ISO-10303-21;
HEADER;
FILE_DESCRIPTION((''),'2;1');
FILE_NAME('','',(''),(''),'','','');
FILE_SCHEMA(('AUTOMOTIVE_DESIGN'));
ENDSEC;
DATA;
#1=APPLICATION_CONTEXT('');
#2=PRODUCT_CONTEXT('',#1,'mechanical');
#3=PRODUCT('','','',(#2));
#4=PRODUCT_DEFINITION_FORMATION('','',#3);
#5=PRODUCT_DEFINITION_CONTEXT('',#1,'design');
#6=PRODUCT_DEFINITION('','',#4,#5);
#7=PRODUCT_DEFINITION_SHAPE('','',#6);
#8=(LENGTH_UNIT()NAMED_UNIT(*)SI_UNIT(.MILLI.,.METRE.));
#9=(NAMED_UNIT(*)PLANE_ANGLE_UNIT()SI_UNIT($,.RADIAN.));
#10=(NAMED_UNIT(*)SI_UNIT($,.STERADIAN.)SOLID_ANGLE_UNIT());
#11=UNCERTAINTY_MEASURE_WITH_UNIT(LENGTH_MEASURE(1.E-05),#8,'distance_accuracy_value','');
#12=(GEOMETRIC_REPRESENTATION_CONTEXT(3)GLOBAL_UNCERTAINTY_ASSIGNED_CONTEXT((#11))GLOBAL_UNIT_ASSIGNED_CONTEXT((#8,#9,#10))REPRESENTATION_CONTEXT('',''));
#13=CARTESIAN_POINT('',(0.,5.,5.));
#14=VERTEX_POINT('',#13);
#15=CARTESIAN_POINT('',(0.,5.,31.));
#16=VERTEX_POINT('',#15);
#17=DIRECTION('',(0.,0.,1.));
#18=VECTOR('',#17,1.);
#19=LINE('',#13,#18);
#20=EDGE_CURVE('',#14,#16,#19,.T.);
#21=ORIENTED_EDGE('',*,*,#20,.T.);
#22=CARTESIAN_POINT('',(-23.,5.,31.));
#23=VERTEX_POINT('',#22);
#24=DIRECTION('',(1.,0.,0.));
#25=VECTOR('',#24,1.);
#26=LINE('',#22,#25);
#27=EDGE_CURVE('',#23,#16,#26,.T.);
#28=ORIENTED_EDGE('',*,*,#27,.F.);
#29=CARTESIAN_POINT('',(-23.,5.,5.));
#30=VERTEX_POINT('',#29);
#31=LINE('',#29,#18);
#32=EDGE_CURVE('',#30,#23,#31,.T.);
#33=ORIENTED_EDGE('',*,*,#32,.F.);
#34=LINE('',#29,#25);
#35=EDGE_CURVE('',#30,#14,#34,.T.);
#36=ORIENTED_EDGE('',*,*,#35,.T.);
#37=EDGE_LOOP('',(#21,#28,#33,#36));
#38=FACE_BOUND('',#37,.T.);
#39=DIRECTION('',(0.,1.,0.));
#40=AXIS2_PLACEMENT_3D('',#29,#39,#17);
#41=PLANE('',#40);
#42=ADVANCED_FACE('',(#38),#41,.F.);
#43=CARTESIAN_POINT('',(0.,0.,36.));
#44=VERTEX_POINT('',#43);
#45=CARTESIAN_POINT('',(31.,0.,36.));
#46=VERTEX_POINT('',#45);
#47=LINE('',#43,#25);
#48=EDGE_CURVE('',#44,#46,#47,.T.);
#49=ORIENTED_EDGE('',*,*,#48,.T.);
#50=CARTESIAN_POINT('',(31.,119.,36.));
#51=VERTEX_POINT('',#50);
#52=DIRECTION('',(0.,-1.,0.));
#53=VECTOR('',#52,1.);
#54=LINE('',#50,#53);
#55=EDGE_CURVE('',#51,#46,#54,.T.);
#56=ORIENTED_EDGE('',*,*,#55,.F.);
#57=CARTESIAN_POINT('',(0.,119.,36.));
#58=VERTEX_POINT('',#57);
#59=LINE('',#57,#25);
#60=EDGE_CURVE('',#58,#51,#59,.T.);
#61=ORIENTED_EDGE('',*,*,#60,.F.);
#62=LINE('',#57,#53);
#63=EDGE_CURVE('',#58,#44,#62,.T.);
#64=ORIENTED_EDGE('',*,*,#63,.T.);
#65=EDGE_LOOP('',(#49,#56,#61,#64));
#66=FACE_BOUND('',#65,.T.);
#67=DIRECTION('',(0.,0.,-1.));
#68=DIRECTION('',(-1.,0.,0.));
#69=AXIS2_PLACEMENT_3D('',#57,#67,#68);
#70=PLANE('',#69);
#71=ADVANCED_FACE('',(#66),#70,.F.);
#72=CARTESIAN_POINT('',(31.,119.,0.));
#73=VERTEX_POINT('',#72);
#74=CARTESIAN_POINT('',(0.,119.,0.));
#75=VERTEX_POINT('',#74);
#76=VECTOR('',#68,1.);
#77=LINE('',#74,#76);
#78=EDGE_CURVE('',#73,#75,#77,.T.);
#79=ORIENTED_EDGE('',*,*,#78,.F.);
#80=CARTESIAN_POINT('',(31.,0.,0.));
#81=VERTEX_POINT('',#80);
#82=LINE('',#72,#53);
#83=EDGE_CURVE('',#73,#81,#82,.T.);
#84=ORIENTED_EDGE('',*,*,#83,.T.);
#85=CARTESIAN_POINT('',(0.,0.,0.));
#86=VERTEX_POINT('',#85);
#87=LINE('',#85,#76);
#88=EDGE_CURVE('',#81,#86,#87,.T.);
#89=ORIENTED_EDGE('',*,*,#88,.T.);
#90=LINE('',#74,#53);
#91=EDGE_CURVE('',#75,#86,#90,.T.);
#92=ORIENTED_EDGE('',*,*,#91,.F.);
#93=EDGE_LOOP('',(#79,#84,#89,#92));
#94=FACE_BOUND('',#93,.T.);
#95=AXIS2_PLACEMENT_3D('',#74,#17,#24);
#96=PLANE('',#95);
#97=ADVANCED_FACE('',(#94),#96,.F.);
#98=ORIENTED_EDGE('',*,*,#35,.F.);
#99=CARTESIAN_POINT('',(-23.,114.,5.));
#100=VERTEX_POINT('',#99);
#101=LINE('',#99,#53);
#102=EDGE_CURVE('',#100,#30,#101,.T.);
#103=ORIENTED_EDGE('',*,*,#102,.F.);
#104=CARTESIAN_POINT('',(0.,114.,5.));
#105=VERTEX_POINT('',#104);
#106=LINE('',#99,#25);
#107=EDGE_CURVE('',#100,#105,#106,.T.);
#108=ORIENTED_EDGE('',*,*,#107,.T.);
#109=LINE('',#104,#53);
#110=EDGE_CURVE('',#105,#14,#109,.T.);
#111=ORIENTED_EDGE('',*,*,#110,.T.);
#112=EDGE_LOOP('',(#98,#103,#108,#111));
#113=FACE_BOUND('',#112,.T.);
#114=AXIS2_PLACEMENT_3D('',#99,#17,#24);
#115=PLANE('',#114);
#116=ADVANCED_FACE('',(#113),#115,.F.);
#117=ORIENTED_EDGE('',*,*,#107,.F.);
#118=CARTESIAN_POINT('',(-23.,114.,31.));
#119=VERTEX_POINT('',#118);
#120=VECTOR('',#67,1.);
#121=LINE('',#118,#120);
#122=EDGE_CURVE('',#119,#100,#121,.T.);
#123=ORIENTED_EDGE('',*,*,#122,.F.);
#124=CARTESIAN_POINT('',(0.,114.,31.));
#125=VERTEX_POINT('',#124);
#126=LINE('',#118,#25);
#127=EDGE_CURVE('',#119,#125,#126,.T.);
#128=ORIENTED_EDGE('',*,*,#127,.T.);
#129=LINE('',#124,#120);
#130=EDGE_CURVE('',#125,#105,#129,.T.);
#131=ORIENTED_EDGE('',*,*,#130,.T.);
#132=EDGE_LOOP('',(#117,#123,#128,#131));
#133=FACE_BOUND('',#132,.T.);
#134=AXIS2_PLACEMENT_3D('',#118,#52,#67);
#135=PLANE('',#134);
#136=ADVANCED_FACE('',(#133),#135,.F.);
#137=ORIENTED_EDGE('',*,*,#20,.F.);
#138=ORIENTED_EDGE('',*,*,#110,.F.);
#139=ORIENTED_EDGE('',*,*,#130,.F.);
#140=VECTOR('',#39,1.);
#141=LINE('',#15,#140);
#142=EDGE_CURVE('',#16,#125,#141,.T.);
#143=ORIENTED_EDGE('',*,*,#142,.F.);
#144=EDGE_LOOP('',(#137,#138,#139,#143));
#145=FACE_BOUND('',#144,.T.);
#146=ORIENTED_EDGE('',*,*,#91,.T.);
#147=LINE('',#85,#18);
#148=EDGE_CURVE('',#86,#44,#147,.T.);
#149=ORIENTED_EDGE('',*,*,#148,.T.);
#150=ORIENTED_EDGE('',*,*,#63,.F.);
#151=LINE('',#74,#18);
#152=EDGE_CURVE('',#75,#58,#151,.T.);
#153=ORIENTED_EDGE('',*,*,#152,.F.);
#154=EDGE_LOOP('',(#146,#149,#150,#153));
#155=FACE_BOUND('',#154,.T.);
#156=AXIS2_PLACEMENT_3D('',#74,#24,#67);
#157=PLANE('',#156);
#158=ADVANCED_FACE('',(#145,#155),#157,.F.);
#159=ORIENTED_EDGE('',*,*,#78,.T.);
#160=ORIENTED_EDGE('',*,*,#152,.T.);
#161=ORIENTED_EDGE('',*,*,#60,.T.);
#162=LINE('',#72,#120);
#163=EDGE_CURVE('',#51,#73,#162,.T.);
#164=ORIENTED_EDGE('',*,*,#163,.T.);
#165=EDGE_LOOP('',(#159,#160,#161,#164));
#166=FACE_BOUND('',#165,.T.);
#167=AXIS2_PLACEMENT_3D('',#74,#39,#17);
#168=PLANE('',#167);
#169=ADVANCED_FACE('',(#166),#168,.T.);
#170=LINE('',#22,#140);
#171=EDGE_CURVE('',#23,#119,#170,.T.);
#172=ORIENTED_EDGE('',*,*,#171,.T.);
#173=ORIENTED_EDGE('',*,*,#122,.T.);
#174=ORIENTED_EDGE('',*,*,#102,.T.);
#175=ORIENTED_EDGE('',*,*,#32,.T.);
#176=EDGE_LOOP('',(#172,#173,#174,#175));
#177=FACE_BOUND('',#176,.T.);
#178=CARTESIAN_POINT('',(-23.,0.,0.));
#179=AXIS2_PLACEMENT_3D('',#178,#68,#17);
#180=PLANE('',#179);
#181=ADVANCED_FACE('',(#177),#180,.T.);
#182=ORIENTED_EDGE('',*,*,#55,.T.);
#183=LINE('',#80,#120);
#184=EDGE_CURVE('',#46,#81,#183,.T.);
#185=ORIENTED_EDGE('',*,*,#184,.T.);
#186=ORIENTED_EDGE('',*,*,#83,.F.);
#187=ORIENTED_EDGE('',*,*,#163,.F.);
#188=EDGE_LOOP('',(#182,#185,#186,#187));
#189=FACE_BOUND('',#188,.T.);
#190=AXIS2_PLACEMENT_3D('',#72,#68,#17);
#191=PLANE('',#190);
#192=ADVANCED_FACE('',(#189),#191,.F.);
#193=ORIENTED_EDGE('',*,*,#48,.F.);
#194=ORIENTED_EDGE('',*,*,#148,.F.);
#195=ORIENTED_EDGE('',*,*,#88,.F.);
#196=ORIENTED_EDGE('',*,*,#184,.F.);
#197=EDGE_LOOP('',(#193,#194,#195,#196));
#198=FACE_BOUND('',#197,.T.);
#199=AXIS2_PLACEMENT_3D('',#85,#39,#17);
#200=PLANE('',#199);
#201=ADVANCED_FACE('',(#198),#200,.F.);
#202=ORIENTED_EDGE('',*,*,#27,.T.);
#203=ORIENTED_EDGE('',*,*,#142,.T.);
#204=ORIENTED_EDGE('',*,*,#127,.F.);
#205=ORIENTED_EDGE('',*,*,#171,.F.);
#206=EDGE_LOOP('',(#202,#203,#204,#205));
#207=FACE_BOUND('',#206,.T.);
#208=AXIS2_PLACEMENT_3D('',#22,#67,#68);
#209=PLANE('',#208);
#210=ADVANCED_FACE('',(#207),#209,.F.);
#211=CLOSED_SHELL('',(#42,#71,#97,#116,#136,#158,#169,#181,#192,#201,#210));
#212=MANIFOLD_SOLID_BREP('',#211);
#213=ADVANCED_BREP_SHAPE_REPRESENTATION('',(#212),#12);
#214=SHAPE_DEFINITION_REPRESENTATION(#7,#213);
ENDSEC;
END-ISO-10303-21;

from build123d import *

# Parameters (mm, degrees)
SKETCH1_W           = 31
SKETCH1_H           = 36
BOSS_EXTRUDE1_DEPTH = 119
SKETCH2_W           = 26
SKETCH2_H           = 109
BOSS_EXTRUDE2_DEPTH = 23


with BuildPart() as part:
    # Sketch1 → Boss-Extrude1 (new body)
    with BuildSketch(Plane(origin=(0, 0, 0), x_dir=(1, 0, 0), z_dir=(0, 1, 0))):
        with Locations((15.5, -18)):
            Rectangle(SKETCH1_W, SKETCH1_H)
    extrude(amount=BOSS_EXTRUDE1_DEPTH)

    # Sketch2 → Boss-Extrude2 (add)
    with BuildSketch(Plane.ZY):
        with Locations((18, 59.5)):
            Rectangle(SKETCH2_W, SKETCH2_H)
    extrude(amount=BOSS_EXTRUDE2_DEPTH)


solid = part.part
